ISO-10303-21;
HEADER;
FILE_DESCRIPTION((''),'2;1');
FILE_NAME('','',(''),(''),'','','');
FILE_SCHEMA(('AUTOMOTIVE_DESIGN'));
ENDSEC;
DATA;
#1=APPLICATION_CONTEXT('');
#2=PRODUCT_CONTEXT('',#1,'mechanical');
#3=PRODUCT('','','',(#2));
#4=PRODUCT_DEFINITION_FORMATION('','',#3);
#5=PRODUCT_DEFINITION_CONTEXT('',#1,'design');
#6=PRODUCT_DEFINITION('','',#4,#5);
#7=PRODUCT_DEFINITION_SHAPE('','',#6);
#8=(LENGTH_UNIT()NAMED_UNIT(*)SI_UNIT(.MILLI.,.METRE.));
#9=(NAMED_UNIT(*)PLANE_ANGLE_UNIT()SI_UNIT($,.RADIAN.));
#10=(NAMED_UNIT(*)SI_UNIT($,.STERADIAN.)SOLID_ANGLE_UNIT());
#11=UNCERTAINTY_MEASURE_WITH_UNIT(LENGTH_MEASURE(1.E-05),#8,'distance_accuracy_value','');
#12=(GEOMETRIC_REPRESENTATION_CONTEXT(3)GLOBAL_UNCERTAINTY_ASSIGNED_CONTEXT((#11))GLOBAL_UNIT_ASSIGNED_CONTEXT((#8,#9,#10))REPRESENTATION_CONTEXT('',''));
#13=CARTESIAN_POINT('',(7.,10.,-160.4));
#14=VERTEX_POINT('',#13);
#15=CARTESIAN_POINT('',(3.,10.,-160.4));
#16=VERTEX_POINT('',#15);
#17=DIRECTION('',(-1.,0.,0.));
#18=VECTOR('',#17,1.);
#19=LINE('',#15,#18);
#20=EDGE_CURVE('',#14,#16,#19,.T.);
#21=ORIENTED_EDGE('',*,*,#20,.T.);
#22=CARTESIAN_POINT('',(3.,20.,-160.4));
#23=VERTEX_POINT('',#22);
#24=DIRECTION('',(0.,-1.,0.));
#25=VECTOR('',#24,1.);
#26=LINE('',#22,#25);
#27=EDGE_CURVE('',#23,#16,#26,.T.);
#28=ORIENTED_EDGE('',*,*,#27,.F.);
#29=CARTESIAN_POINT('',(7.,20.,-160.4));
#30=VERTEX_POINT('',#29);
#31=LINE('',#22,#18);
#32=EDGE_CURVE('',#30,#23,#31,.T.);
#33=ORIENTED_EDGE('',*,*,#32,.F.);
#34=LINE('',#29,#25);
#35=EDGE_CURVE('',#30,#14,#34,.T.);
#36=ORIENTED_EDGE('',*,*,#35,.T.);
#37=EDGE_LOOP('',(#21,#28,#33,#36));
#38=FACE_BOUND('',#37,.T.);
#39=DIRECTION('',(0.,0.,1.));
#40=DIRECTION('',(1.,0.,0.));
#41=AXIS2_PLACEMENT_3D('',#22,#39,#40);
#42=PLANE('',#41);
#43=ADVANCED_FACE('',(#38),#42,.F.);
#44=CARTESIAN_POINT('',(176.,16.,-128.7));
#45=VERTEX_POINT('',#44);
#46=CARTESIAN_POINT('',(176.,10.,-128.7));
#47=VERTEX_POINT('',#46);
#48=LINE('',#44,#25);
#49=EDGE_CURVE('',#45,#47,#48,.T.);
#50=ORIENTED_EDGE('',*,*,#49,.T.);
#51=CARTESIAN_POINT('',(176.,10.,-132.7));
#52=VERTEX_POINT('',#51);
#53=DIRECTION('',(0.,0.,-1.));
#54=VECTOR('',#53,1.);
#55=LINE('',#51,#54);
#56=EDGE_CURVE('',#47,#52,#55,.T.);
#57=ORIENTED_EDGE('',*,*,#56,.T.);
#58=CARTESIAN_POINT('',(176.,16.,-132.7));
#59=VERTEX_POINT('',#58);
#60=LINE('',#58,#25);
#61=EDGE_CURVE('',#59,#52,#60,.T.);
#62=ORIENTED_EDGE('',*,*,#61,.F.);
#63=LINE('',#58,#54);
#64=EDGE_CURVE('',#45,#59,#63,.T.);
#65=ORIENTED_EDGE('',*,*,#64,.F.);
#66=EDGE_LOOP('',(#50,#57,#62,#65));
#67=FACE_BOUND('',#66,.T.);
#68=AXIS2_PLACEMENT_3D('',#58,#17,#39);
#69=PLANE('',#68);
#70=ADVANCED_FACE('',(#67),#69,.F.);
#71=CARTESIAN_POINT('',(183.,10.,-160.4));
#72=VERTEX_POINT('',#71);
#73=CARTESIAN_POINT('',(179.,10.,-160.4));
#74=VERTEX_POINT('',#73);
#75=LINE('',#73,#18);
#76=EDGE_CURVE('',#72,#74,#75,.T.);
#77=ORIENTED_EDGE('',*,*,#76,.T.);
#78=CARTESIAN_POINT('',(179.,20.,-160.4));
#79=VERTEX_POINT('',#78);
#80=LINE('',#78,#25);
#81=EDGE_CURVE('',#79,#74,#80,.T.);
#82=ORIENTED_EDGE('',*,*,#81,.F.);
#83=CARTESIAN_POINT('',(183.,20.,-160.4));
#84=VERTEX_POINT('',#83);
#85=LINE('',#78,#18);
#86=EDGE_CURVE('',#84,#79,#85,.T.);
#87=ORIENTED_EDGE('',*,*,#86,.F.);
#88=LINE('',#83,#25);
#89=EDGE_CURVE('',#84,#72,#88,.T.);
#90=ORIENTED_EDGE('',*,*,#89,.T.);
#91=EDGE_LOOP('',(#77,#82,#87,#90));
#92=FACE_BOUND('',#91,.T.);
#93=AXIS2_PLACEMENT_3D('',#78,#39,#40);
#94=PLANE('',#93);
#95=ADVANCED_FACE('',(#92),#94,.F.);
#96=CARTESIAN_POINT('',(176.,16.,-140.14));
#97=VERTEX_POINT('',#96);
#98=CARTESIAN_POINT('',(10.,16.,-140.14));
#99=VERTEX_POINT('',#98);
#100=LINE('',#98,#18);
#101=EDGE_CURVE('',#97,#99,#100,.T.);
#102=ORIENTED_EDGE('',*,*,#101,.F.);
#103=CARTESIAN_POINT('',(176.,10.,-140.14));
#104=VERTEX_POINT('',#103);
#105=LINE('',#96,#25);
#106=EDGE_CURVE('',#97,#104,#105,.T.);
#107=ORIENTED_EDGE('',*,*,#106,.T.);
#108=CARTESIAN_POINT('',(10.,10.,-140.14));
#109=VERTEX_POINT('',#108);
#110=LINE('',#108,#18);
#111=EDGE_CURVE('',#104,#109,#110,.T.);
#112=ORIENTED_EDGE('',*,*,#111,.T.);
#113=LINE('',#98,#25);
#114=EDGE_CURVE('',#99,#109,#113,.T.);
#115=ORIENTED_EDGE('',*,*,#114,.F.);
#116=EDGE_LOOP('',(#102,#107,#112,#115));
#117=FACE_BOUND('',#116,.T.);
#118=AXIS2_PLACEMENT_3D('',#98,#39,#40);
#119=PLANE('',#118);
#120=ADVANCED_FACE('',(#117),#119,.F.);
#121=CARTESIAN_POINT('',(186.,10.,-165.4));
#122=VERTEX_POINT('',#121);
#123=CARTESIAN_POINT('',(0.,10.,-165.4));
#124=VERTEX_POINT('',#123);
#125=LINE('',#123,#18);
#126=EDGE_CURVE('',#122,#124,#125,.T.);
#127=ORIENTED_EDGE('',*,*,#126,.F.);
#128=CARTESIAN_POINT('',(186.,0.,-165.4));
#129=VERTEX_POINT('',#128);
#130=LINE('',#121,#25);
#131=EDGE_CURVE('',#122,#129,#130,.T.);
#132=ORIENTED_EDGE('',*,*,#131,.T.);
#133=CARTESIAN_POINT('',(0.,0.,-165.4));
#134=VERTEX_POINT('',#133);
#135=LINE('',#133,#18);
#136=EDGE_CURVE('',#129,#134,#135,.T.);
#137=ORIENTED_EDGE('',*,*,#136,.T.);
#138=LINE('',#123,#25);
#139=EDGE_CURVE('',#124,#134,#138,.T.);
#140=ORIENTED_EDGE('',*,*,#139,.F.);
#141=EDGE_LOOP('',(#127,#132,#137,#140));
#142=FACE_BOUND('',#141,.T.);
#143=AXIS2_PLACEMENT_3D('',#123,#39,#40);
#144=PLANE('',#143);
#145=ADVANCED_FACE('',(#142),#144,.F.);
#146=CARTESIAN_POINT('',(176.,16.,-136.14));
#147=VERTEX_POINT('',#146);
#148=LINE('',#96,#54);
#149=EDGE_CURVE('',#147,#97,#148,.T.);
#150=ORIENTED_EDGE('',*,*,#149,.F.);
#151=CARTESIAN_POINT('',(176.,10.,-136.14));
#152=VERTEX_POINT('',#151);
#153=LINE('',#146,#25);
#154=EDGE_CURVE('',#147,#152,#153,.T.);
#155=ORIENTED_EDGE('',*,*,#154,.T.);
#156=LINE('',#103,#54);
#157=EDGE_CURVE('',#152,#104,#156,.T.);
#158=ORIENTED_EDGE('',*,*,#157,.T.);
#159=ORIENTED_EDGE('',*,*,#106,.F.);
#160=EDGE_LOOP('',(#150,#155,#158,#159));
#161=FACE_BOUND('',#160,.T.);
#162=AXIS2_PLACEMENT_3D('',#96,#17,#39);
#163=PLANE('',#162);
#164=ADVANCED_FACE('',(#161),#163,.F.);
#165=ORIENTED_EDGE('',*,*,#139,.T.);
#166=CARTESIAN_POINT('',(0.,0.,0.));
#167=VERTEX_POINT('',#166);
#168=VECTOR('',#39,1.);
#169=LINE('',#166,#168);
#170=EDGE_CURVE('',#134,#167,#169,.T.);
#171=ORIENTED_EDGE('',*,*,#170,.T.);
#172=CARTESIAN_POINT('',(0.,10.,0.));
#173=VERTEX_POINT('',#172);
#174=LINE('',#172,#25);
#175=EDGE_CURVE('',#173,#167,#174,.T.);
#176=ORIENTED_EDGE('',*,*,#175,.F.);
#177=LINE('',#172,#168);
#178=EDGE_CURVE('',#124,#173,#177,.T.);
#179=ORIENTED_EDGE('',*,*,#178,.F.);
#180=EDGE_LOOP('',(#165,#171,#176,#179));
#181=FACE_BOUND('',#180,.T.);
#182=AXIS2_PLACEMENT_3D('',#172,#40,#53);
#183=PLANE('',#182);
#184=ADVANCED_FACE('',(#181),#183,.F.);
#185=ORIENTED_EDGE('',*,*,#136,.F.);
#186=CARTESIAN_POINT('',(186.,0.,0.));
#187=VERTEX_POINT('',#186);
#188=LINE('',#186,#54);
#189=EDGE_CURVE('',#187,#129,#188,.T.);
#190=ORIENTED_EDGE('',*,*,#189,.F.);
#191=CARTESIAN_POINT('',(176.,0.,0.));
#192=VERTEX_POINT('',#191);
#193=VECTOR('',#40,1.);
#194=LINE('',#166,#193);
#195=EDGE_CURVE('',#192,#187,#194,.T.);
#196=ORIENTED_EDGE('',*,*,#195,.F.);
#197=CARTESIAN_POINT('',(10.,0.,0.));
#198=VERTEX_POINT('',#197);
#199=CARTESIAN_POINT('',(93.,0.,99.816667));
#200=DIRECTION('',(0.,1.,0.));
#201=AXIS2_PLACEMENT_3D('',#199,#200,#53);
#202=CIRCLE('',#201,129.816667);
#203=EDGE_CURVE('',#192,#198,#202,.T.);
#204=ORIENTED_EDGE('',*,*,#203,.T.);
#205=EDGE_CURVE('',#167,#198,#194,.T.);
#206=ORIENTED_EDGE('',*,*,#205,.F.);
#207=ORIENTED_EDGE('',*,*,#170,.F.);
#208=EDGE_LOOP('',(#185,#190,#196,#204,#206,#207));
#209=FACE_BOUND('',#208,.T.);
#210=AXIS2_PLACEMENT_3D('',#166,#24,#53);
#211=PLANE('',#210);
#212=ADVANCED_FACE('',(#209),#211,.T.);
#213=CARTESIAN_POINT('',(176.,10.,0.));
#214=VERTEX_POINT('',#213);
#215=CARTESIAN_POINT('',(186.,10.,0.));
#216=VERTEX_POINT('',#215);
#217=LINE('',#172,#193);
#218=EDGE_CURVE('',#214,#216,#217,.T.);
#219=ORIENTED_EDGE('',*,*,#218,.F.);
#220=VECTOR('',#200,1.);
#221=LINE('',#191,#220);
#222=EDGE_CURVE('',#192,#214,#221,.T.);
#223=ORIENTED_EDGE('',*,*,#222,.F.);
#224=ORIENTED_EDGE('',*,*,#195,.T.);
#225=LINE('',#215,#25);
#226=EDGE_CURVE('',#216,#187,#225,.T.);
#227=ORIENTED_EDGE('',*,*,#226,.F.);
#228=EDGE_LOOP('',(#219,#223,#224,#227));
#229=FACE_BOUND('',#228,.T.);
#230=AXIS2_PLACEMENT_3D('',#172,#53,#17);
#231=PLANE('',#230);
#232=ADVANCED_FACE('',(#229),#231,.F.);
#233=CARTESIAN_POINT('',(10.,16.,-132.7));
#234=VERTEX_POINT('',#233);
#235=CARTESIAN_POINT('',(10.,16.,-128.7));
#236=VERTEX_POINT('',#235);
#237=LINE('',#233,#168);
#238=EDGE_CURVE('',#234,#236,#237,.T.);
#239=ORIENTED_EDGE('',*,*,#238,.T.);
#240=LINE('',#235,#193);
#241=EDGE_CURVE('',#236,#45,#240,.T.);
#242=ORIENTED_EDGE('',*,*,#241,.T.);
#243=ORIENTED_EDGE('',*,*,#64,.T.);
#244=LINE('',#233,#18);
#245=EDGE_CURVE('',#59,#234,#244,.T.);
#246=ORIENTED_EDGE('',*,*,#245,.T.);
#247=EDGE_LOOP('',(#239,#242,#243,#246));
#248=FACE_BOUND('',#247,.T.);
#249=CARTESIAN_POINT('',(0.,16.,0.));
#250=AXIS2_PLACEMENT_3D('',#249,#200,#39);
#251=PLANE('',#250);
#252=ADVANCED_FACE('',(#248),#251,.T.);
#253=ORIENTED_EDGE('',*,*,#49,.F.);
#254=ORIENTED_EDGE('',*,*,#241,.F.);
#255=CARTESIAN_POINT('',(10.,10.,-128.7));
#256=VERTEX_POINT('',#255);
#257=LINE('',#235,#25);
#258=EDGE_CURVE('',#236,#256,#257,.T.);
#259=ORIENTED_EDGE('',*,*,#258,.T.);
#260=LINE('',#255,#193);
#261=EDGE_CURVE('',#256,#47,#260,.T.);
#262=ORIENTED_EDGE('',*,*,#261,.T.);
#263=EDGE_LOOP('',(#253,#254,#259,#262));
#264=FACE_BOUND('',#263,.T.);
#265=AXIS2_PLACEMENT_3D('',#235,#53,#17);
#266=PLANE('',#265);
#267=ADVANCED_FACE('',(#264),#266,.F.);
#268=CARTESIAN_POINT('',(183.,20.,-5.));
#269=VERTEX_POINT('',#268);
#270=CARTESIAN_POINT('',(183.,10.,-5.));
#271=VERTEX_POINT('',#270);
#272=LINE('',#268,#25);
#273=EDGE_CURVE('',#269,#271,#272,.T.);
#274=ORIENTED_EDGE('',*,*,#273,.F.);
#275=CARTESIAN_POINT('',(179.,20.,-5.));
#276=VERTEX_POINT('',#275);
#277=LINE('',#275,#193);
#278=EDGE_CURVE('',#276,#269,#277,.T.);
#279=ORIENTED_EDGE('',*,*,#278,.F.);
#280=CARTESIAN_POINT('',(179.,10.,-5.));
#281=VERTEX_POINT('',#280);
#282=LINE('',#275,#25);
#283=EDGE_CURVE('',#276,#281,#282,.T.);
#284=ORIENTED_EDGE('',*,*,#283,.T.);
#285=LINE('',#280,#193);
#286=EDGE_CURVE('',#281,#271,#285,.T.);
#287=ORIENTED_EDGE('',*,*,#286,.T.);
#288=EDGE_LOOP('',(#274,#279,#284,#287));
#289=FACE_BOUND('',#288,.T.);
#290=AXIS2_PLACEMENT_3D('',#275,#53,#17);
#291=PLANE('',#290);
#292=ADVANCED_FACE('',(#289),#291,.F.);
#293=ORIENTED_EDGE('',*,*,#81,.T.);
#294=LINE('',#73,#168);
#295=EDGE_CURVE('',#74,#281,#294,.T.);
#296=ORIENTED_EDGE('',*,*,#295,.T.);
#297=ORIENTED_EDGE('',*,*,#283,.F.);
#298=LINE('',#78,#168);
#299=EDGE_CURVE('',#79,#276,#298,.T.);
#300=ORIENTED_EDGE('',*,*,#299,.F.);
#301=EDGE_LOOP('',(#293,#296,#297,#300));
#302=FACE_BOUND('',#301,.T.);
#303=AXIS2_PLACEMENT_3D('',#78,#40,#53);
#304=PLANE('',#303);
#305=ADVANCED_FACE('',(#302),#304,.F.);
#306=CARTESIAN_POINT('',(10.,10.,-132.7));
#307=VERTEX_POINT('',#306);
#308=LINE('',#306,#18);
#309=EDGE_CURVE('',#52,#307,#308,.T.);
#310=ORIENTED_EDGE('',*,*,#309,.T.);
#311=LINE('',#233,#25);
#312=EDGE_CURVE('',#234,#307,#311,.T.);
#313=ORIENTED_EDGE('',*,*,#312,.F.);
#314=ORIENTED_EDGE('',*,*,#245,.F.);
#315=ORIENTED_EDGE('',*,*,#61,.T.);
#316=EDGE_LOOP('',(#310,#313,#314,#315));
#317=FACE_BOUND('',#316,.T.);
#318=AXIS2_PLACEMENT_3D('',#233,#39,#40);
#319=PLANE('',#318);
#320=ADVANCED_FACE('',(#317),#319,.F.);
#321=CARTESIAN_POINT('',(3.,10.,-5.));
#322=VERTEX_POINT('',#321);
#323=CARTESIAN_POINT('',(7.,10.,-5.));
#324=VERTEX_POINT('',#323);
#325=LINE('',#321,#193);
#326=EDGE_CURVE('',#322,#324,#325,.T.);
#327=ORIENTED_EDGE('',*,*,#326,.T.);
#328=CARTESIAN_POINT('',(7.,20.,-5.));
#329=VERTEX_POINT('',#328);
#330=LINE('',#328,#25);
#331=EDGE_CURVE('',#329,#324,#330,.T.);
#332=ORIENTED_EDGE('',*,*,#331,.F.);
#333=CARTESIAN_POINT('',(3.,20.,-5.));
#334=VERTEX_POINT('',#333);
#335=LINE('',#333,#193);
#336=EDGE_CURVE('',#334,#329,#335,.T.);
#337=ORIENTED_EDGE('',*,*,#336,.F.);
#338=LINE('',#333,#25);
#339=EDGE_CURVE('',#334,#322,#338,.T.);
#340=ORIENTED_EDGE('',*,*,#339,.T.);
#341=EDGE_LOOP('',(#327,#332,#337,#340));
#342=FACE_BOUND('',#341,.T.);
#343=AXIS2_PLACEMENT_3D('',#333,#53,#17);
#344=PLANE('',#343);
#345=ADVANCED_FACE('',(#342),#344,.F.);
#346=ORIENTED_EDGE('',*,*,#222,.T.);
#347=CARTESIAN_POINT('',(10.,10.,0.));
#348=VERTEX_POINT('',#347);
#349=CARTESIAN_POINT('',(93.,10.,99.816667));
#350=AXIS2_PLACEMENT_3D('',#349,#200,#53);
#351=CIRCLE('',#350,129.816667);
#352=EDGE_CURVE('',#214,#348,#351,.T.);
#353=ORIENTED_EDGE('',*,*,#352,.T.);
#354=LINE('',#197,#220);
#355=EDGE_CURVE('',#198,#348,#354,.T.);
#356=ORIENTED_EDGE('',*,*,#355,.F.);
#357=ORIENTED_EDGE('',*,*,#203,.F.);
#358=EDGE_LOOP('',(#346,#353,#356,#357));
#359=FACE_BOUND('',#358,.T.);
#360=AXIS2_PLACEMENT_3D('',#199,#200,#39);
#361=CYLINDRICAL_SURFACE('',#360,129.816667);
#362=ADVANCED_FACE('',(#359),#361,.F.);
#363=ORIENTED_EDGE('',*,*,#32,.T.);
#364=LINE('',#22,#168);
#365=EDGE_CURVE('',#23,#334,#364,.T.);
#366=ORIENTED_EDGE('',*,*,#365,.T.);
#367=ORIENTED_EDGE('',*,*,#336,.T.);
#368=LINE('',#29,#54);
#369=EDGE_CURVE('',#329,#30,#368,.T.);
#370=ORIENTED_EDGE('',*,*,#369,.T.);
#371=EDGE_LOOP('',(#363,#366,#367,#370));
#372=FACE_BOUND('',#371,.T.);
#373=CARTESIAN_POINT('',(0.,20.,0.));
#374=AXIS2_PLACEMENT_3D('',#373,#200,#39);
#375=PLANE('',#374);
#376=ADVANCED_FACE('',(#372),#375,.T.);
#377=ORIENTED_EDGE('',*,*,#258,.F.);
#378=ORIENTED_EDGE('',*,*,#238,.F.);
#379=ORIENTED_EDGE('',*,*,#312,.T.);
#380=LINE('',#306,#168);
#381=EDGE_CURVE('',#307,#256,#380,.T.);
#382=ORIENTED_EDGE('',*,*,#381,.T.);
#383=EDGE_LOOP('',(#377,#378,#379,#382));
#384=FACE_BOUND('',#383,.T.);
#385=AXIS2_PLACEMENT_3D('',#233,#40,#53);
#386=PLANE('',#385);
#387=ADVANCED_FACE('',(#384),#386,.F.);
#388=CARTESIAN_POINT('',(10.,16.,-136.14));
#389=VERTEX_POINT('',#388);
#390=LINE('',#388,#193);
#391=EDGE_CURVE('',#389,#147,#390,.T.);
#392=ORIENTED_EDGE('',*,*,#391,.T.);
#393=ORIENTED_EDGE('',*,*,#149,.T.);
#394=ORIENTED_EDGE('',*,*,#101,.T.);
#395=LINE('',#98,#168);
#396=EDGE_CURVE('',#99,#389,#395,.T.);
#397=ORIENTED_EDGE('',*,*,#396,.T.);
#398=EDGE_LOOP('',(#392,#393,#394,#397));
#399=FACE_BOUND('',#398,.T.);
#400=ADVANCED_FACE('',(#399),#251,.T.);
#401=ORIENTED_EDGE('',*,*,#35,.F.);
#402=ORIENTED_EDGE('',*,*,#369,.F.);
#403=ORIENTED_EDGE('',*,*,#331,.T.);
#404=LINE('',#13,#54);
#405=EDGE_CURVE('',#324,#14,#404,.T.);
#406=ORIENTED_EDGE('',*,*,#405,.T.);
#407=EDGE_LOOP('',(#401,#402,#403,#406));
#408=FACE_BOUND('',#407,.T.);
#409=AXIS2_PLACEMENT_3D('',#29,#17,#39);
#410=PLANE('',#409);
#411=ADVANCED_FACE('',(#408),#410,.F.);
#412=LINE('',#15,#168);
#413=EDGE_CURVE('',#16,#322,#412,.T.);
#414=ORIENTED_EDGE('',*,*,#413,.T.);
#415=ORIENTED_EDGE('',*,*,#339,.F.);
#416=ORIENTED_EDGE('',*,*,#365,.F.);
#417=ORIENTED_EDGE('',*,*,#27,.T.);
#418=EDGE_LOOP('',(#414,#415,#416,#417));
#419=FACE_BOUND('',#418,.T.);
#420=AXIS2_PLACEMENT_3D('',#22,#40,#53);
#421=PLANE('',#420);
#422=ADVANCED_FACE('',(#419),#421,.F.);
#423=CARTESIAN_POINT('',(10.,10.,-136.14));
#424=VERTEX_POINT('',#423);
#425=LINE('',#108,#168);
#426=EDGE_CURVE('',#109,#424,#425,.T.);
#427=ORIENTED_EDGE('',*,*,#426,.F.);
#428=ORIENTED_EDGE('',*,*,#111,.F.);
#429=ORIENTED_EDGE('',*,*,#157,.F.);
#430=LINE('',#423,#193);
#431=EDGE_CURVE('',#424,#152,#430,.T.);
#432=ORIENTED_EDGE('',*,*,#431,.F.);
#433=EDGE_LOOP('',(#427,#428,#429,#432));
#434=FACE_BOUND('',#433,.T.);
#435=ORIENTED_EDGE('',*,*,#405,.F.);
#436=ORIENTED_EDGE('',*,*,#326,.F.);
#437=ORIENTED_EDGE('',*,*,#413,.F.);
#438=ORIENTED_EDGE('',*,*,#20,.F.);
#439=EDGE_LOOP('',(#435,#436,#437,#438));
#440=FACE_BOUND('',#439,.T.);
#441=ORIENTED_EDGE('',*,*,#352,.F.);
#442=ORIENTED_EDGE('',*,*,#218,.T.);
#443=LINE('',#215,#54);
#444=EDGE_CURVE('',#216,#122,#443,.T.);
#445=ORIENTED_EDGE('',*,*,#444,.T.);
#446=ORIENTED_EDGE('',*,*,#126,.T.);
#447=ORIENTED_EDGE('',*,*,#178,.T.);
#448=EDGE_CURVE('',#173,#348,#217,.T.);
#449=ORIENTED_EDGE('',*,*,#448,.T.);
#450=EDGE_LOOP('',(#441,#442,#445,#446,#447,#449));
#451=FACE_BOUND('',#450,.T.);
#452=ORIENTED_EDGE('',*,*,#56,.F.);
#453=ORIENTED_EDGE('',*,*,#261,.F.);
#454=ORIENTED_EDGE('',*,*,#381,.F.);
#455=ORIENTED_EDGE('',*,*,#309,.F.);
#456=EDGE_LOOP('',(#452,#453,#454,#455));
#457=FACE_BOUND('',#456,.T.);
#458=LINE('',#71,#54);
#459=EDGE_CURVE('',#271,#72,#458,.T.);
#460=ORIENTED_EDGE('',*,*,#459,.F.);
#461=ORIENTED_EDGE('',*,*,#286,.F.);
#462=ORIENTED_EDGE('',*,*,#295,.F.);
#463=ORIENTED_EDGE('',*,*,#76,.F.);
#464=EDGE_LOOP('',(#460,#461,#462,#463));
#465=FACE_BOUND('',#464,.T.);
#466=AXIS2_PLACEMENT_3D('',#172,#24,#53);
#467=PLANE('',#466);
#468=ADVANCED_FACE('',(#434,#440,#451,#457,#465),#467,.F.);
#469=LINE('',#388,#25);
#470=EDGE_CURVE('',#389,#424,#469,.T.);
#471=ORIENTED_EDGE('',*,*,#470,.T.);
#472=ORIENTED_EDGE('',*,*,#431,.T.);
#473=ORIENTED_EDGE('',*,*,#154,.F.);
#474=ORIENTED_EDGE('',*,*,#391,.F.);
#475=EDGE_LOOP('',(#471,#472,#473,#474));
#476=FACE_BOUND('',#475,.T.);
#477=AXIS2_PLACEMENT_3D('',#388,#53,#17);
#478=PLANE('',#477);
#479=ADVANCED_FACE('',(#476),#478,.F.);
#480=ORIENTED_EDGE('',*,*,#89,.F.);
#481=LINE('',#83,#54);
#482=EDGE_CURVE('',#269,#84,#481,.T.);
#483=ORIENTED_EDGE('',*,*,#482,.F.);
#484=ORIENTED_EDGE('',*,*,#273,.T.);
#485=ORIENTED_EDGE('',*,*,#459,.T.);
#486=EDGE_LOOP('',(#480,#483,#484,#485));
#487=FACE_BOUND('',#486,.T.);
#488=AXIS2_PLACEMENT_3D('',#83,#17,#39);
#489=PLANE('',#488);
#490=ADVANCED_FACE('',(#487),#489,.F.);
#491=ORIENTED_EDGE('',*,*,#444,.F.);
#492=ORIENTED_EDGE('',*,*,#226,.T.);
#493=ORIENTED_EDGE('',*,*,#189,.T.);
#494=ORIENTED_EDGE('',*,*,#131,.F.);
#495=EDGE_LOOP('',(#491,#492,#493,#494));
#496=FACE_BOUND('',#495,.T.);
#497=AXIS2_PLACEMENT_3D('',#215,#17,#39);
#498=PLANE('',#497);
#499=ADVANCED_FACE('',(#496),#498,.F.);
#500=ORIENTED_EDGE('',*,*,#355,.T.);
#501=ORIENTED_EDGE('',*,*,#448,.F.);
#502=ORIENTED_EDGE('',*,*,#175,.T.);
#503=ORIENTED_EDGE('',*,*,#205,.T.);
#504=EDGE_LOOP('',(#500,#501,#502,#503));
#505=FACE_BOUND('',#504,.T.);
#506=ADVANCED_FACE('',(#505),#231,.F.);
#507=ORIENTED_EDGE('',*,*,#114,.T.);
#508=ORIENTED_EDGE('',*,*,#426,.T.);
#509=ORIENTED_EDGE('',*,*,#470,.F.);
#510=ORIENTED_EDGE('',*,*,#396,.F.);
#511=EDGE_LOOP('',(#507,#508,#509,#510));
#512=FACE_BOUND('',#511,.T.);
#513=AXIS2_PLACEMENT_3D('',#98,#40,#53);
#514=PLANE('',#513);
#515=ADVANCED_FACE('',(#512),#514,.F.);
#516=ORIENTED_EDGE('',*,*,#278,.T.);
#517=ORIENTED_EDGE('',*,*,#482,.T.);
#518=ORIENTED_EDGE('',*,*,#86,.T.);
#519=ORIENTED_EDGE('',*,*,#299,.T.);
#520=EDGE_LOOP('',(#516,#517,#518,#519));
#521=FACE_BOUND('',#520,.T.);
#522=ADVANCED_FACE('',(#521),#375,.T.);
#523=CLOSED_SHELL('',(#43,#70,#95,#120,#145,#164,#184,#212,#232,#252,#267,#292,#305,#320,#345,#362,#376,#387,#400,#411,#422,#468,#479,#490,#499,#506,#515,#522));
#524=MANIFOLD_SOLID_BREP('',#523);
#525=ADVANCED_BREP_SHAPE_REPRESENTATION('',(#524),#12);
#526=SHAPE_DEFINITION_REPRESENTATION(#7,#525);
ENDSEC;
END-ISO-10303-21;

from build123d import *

# Parameters (mm, degrees)
SKETCH1_W           = 186
SKETCH1_H           = 165.4
BOSS_EXTRUDE1_DEPTH = 10
CUT_EXTRUDE5_DEPTH  = 250.104716936
SKETCH4_W           = 166
SKETCH4_H           = 4
BOSS_EXTRUDE3_DEPTH = 6
SKETCH6_W           = 4
SKETCH6_H           = 155.4
BOSS_EXTRUDE4_DEPTH = 10
SKETCH7_W           = 4
SKETCH7_H           = 155.4
BOSS_EXTRUDE5_DEPTH = 10


with BuildPart() as part:
    # Sketch1 → Boss-Extrude1 (new body)
    with BuildSketch(Plane(origin=(0, 0, 0), x_dir=(1, 0, 0), z_dir=(0, 1, 0))):
        with Locations((93, 82.7)):
            Rectangle(SKETCH1_W, SKETCH1_H)
    extrude(amount=BOSS_EXTRUDE1_DEPTH)

    # Sketch5 → Cut-Extrude5 (cut, through all)
    with BuildSketch(Plane(origin=(0, 10, 0), x_dir=(1, 0, 0), z_dir=(0, 1, 0))):
        with BuildLine():
            Line((176, 0), (10, 0))
            ThreePointArc((10, 0), (93, 30), (176, 0))
        make_face()
    extrude(amount=-CUT_EXTRUDE5_DEPTH, mode=Mode.SUBTRACT)

    # Sketch4 → Boss-Extrude3 (add)
    with BuildSketch(Plane(origin=(0, 10, 0), x_dir=(1, 0, 0), z_dir=(0, 1, 0))):
        with Locations((93, 130.7)):
            Rectangle(SKETCH4_W, SKETCH4_H)
        with Locations((93, 138.14)):
            Rectangle(SKETCH4_W, SKETCH4_H)
    extrude(amount=BOSS_EXTRUDE3_DEPTH)

    # Sketch6 → Boss-Extrude4 (add)
    with BuildSketch(Plane(origin=(0, 10, 0), x_dir=(1, 0, 0), z_dir=(0, 1, 0))):
        with Locations((181, 82.7)):
            Rectangle(SKETCH6_W, SKETCH6_H)
    extrude(amount=BOSS_EXTRUDE4_DEPTH)

    # Sketch7 → Boss-Extrude5 (add)
    with BuildSketch(Plane(origin=(0, 10, 0), x_dir=(1, 0, 0), z_dir=(0, 1, 0))):
        with Locations((5, 82.7)):
            Rectangle(SKETCH7_W, SKETCH7_H)
    extrude(amount=BOSS_EXTRUDE5_DEPTH)


solid = part.part
